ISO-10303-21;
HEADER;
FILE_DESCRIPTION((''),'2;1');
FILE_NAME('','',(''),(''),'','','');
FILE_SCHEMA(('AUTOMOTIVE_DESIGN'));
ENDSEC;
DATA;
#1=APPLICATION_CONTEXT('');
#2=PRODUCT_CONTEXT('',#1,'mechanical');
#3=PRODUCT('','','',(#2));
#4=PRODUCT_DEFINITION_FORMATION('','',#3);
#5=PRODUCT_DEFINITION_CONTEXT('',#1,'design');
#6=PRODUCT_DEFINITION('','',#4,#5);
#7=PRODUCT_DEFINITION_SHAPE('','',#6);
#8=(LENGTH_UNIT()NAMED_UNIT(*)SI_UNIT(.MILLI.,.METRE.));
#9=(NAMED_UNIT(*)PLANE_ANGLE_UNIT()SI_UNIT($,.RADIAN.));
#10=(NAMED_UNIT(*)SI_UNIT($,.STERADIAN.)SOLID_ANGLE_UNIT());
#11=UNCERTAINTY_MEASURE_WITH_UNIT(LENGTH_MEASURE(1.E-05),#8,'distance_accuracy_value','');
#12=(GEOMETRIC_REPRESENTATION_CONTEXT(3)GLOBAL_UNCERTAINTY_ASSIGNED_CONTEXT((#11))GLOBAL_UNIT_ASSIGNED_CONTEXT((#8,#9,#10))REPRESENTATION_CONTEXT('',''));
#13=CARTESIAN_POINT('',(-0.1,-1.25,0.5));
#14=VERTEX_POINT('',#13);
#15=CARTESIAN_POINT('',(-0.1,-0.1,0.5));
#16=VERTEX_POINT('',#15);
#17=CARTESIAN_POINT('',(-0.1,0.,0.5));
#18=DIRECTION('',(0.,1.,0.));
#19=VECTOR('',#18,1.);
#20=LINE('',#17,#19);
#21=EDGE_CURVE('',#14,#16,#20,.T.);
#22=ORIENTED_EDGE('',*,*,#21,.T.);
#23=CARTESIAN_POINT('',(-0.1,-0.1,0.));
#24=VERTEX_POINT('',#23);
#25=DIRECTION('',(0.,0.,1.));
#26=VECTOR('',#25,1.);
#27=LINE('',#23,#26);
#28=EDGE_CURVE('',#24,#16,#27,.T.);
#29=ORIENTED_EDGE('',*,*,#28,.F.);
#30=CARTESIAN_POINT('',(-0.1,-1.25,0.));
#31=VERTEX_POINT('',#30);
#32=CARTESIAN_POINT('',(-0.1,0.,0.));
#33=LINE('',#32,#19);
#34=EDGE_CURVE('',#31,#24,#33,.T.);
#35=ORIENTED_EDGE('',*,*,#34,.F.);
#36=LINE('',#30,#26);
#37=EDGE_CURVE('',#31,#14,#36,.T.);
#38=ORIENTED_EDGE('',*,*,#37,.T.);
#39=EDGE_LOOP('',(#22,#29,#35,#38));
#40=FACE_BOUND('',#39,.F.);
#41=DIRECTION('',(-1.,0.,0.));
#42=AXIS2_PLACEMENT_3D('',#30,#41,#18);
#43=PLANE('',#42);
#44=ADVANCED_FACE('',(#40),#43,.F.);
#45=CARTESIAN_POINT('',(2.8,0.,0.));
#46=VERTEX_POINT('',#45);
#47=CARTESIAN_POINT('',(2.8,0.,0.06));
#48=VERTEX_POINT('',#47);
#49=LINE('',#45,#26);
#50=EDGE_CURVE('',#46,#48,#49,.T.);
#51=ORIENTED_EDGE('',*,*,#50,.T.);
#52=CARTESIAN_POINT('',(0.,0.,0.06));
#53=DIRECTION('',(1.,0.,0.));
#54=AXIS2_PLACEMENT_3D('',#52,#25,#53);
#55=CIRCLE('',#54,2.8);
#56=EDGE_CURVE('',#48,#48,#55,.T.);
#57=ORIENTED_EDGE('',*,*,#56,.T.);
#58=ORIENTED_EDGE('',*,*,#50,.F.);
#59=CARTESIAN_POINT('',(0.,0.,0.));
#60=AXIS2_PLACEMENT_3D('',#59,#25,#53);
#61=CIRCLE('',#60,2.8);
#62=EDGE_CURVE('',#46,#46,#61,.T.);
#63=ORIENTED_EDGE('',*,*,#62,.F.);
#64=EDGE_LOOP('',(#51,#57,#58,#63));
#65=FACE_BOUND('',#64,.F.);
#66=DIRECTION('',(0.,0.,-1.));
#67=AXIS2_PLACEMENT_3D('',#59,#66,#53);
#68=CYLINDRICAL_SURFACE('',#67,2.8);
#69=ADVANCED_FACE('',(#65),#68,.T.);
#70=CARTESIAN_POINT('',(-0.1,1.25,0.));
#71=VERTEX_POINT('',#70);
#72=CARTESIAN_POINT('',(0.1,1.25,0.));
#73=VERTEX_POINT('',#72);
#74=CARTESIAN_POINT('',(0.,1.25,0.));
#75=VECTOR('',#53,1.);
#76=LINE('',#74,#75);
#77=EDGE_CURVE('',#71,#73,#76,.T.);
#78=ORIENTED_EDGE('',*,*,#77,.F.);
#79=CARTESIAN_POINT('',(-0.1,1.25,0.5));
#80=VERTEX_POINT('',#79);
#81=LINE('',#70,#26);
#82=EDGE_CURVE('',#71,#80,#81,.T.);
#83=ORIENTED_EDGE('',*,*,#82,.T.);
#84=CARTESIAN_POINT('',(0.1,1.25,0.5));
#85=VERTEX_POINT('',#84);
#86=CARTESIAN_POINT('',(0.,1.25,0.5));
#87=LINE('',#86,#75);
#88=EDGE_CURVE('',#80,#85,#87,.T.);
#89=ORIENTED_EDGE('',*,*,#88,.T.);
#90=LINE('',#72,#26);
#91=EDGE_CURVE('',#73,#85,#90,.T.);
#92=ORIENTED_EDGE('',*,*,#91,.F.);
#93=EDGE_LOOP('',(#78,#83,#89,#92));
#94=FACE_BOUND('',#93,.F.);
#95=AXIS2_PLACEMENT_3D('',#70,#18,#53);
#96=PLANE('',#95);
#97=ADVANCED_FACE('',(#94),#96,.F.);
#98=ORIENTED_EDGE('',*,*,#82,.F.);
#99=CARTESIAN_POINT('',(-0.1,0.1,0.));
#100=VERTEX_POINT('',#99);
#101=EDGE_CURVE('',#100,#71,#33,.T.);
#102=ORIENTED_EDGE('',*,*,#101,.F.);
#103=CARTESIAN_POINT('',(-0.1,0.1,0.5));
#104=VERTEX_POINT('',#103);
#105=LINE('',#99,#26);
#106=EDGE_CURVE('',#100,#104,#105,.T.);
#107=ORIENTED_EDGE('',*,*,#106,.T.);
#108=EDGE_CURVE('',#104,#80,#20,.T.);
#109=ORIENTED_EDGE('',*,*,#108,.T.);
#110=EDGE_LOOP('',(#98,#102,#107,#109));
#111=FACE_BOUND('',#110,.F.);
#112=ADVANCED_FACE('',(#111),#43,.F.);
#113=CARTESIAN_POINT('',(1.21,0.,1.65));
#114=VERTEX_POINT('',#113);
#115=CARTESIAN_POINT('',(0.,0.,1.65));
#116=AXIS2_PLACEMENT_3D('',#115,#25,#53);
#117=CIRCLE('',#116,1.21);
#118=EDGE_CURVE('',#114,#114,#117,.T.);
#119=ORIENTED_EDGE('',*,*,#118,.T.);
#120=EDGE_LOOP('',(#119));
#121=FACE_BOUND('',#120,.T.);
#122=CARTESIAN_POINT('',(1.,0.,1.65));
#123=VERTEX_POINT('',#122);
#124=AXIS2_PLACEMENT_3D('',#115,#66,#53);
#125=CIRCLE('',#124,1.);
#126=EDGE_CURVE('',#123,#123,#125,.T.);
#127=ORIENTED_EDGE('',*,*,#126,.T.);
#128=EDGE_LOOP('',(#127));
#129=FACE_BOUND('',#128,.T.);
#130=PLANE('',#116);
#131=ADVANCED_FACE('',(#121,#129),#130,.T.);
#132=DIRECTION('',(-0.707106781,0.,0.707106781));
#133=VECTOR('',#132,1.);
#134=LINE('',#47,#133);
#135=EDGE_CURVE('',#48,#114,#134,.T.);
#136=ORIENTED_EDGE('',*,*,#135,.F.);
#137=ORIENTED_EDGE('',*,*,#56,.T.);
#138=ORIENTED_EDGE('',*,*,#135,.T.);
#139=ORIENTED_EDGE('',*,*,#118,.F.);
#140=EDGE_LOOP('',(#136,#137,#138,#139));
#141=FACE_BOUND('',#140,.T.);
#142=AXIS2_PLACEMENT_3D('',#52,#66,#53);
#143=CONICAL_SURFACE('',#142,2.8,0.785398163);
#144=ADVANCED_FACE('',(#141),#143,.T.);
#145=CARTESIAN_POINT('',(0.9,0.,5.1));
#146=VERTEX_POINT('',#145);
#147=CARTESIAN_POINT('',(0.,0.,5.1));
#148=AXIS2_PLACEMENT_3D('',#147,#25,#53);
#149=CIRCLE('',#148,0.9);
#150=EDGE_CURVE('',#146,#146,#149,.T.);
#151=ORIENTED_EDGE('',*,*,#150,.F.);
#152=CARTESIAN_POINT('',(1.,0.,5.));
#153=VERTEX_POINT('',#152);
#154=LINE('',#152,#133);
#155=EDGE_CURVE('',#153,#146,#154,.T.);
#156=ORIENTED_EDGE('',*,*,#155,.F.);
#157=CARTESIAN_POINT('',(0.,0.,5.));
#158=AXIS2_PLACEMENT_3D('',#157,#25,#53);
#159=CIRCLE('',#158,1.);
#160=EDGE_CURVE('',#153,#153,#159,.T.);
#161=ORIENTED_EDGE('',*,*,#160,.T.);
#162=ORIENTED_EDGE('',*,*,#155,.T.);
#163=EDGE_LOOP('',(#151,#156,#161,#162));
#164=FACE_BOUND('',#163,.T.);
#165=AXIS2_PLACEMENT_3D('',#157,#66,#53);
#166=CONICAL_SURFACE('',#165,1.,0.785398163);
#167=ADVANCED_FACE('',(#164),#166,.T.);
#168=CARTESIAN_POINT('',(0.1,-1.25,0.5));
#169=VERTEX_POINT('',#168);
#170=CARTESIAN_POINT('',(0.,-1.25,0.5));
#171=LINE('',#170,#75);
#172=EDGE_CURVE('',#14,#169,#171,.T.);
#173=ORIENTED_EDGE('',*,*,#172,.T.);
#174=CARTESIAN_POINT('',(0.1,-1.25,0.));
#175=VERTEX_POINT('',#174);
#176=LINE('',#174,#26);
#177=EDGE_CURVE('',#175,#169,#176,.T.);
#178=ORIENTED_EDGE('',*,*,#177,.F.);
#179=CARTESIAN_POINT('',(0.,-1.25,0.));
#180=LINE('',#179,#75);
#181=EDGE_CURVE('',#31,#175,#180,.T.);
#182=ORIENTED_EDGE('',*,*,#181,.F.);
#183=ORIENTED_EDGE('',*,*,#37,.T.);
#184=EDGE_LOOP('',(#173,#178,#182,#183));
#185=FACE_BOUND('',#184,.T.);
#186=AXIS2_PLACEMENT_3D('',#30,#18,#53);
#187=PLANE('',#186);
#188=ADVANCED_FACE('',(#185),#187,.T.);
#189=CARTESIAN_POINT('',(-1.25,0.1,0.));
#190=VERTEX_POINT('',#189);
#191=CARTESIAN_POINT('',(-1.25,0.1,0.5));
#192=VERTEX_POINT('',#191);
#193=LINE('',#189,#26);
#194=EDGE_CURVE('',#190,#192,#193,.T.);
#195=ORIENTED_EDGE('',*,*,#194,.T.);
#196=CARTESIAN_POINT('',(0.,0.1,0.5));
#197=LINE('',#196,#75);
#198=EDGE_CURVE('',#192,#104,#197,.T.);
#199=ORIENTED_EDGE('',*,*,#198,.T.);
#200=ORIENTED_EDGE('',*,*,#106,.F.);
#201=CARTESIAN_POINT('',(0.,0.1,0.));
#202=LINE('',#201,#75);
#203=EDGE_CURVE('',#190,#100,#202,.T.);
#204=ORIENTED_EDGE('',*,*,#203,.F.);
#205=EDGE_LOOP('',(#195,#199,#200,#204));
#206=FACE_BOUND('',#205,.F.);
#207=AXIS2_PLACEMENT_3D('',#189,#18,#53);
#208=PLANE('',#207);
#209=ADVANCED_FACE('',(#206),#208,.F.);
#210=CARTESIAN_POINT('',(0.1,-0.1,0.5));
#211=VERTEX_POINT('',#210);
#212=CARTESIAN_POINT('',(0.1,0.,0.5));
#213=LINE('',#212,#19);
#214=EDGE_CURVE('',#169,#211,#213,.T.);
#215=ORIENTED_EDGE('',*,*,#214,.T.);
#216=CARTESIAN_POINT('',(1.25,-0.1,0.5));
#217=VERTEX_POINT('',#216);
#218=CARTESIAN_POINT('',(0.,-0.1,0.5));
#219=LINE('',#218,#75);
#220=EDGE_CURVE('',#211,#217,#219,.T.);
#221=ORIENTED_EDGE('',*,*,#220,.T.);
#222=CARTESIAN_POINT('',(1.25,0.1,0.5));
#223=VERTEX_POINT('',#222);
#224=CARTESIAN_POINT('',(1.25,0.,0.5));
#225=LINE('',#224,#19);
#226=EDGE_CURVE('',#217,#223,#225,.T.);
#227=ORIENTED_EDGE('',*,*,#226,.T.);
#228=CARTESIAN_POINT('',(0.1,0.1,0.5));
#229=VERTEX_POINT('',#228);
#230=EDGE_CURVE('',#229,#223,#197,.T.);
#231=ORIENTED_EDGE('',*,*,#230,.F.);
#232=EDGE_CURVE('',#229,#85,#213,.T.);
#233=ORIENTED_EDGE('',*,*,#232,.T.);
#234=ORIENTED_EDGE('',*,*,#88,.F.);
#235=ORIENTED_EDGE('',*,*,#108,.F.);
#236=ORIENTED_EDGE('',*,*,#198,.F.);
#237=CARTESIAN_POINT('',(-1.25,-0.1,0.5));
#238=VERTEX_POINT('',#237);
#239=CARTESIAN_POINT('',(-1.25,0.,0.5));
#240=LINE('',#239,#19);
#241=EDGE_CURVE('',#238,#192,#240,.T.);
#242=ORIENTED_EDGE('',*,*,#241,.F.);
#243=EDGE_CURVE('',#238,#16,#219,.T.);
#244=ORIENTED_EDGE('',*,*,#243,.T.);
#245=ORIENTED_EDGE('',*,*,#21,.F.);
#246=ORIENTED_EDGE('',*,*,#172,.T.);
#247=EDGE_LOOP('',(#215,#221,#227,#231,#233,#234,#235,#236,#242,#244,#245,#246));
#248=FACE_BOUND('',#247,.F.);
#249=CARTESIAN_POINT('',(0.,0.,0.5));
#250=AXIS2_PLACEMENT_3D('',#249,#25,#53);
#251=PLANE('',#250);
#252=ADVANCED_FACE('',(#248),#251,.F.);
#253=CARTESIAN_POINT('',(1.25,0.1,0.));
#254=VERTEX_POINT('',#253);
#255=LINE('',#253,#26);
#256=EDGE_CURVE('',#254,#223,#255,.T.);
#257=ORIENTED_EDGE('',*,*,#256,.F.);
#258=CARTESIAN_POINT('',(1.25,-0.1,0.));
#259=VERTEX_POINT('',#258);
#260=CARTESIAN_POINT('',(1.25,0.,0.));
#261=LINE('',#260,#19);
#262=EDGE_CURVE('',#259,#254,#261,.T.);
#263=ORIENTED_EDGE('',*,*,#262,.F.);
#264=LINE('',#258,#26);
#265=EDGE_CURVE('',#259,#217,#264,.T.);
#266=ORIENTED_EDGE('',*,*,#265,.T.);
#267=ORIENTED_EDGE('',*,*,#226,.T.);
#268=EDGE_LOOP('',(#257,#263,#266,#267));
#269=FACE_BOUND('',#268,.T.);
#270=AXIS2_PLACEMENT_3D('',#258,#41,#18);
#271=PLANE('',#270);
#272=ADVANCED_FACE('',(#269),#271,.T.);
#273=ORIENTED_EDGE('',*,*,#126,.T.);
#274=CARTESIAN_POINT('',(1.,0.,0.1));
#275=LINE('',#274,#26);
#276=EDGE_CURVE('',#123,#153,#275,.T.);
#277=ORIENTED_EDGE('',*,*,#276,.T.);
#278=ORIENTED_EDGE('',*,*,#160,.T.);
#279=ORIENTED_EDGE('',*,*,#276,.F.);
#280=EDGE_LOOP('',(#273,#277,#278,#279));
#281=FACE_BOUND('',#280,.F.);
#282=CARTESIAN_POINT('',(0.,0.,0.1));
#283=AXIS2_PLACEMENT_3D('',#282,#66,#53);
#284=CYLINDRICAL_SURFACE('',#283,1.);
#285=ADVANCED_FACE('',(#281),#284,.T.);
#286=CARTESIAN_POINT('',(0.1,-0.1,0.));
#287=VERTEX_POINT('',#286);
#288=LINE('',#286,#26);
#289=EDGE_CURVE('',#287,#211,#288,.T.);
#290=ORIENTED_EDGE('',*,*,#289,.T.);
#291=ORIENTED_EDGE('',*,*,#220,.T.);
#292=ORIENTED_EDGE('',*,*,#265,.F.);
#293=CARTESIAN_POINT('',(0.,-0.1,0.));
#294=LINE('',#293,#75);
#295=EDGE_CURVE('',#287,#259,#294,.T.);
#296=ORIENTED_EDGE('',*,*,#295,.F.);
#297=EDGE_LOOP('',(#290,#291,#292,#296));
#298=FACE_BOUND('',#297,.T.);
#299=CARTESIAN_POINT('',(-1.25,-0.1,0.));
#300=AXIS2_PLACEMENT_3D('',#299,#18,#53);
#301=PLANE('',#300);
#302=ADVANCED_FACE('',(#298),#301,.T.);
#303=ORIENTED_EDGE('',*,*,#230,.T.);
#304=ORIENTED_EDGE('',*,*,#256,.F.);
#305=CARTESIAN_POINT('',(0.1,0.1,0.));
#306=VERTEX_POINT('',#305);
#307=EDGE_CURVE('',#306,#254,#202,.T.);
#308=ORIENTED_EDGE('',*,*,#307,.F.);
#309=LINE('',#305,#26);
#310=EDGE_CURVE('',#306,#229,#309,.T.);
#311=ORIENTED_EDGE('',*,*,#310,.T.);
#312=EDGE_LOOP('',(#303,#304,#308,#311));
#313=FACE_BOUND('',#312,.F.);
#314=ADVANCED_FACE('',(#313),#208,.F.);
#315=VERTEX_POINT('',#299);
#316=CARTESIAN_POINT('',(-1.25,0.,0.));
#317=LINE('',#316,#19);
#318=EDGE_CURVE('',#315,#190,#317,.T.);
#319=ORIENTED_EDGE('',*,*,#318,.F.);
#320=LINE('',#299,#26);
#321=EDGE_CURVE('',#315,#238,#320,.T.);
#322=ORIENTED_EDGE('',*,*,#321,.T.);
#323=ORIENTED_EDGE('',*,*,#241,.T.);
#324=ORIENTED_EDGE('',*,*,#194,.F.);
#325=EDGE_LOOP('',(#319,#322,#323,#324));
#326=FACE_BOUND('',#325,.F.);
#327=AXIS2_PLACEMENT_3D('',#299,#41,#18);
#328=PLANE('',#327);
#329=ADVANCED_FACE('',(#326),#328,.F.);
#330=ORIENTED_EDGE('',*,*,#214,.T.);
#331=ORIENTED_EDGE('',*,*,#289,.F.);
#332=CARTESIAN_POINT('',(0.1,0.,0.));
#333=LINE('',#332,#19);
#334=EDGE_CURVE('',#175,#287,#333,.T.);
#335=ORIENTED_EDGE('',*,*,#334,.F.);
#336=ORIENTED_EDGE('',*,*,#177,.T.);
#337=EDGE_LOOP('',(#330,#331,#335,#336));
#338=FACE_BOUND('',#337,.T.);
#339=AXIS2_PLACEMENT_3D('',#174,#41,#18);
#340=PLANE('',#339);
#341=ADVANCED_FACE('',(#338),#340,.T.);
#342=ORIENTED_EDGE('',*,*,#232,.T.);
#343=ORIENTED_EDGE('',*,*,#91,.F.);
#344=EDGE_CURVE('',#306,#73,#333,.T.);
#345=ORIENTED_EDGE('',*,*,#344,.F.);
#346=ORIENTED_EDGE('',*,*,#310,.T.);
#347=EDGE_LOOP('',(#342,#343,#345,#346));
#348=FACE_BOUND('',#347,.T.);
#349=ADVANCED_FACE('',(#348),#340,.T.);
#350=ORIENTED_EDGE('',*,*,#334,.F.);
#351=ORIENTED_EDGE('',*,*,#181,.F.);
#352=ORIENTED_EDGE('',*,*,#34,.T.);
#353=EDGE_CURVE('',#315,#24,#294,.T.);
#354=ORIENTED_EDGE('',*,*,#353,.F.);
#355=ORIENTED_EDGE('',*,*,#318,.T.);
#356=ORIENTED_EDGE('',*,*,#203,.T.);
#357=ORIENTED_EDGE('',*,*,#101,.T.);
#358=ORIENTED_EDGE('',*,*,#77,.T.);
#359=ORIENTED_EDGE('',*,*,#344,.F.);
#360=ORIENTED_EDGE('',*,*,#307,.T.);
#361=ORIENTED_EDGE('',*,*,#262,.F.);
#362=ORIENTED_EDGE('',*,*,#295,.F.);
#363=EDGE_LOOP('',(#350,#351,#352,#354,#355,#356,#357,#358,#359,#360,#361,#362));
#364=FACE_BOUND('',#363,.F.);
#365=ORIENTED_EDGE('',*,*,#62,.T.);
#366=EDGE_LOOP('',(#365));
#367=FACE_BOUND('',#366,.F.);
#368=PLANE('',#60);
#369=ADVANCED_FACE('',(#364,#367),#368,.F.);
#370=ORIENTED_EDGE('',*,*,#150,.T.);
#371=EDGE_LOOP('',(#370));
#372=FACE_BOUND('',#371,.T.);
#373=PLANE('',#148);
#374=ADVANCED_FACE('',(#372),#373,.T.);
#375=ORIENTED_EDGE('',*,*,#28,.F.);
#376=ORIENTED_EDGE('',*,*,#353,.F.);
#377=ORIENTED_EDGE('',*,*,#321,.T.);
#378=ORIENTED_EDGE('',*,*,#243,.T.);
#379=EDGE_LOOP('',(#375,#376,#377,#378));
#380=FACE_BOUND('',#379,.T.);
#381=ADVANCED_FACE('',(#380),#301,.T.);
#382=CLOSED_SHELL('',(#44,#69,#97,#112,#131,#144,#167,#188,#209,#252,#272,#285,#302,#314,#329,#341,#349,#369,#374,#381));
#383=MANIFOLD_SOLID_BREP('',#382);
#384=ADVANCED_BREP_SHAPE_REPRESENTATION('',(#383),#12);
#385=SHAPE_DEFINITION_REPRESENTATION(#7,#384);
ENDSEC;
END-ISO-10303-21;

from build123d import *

# Parameters (mm, degrees)
BOX_W             = 0.2
BOX_H             = 2.5
BOX_DEPTH         = 0.5
BOX001_W          = 2.5
BOX001_H          = 0.2
BOX001_DEPTH      = 0.5
CYLINDER_R        = 2.8
CYLINDER_DEPTH    = 1.65
CYLINDER001_R     = 1
CYLINDER001_DEPTH = 5
CHAMFER_SIZE      = 1.59
CHAMFER001_SIZE   = 0.1


with BuildPart() as w_rfel:
    # Box → Box (new body)
    with BuildSketch(Plane(origin=(-0.1, -1.25, 0), x_dir=(1, 0, 0), z_dir=(0, 0, 1))):
        with Locations((0.1, 1.25)):
            Rectangle(BOX_W, BOX_H)
    extrude(amount=BOX_DEPTH)


with BuildPart() as fusion:
    # Box001 → Box001 (new body)
    with BuildSketch(Plane(origin=(-1.25, -0.1, 0), x_dir=(1, 0, 0), z_dir=(0, 0, 1))):
        with Locations((1.25, 0.1)):
            Rectangle(BOX001_W, BOX001_H)
    extrude(amount=BOX001_DEPTH)

    # Fusion: union Würfel
    add(w_rfel.part)


with BuildPart() as zylinder:
    # Cylinder → Cylinder (new body)
    with BuildSketch(Plane.XY):
        Circle(CYLINDER_R)
    extrude(amount=CYLINDER_DEPTH)


with BuildPart() as screw:
    # Cylinder001 → Cylinder001 (new body)
    with BuildSketch(Plane.XY.offset(0.1)):
        Circle(CYLINDER001_R)
    extrude(amount=CYLINDER001_DEPTH)

    # Fusion001: union Zylinder
    add(zylinder.part)

    # Cut: cut Fusion
    add(fusion.part, mode=Mode.SUBTRACT)

    # Chamfer
    chamfer_edges = [screw.edges().sort_by_distance(p)[0] for p in [
        (-2.8, 0, 1.65),
    ]]
    chamfer(chamfer_edges, length=CHAMFER_SIZE)

    # Chamfer001
    chamfer001_edges = [screw.edges().sort_by_distance(p)[0] for p in [
        (-1, 0, 5.1),
    ]]
    chamfer(chamfer001_edges, length=CHAMFER001_SIZE)


solid = screw.part
